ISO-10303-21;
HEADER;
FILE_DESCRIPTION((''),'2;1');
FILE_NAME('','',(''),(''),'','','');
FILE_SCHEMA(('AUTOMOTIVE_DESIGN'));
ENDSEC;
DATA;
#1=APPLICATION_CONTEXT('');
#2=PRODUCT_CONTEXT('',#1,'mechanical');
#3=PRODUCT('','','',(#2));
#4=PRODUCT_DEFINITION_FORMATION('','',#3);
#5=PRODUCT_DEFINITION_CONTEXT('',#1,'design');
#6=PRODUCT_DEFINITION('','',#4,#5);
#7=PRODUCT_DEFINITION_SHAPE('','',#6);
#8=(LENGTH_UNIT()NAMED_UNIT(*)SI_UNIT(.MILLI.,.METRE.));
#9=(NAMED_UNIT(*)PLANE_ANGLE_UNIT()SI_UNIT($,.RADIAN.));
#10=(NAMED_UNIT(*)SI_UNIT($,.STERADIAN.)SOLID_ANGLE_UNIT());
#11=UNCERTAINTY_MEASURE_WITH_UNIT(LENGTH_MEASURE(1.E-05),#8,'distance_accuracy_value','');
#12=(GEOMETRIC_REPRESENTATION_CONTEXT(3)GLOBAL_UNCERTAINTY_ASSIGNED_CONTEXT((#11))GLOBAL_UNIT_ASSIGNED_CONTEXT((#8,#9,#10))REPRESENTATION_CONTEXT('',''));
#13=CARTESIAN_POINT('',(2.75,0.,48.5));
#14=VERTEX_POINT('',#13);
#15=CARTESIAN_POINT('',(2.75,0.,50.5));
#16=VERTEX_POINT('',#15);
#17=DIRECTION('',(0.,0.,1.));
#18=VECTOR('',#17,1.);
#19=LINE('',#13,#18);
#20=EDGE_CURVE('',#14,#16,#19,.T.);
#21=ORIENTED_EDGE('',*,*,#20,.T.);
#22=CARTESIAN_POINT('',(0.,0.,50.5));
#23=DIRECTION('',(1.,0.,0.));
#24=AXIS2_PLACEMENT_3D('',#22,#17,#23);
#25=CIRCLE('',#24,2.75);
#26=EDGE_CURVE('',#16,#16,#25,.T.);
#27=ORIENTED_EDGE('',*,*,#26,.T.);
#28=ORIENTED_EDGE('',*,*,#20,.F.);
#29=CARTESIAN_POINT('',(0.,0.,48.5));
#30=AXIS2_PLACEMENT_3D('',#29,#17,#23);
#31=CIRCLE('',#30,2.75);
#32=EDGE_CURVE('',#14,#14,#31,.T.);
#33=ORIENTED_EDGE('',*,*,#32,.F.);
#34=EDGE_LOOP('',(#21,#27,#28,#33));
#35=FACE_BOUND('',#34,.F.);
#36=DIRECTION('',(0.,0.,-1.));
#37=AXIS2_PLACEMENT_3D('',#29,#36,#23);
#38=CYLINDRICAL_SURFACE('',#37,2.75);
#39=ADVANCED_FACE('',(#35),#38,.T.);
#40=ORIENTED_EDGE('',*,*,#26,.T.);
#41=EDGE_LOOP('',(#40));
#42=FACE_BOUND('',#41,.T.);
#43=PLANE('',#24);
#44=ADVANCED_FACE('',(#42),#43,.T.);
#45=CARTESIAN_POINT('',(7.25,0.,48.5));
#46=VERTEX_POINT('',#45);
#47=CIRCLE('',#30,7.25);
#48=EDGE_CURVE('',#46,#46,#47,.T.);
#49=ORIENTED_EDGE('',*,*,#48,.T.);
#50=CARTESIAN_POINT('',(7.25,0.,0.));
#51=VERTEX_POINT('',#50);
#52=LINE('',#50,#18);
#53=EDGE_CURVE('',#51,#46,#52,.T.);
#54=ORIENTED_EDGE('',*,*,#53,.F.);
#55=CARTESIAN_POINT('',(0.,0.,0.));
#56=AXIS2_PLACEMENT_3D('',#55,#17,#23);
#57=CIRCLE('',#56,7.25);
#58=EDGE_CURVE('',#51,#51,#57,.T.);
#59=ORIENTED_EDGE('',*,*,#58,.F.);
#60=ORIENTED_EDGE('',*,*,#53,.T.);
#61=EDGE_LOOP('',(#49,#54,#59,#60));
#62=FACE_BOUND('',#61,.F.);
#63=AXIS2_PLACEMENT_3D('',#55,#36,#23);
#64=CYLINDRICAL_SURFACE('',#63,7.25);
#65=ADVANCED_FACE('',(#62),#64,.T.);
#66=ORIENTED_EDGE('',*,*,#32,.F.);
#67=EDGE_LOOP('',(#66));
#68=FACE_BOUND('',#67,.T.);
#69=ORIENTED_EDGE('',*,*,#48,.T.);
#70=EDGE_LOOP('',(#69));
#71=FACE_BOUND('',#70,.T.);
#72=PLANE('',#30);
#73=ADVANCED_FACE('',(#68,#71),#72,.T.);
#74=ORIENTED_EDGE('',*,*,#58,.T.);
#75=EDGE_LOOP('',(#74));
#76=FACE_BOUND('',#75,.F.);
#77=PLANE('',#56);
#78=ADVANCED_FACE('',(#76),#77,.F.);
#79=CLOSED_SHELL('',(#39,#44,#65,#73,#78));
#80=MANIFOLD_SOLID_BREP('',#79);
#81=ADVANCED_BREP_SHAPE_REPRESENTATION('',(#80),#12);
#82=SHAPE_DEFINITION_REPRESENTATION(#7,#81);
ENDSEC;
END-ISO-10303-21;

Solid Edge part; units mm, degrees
sketch "Sketch1" plane through (0, 0, 0) normal (0, 0, 1) x (1, 0, 0)
  circle A0 centre (0, 0) radius 7.25
extrude "Protrusion1" add sketch "Sketch1" along normal blind 48.5
sketch "Sketch2" plane through (0, 0, 48.5) normal (0, 0, 1) x (1, 0, 0)
  circle A0 centre (0, 0) radius 2.75
extrude "ExtrudedProtrusion_2" add sketch "Sketch2" along normal blind 2
